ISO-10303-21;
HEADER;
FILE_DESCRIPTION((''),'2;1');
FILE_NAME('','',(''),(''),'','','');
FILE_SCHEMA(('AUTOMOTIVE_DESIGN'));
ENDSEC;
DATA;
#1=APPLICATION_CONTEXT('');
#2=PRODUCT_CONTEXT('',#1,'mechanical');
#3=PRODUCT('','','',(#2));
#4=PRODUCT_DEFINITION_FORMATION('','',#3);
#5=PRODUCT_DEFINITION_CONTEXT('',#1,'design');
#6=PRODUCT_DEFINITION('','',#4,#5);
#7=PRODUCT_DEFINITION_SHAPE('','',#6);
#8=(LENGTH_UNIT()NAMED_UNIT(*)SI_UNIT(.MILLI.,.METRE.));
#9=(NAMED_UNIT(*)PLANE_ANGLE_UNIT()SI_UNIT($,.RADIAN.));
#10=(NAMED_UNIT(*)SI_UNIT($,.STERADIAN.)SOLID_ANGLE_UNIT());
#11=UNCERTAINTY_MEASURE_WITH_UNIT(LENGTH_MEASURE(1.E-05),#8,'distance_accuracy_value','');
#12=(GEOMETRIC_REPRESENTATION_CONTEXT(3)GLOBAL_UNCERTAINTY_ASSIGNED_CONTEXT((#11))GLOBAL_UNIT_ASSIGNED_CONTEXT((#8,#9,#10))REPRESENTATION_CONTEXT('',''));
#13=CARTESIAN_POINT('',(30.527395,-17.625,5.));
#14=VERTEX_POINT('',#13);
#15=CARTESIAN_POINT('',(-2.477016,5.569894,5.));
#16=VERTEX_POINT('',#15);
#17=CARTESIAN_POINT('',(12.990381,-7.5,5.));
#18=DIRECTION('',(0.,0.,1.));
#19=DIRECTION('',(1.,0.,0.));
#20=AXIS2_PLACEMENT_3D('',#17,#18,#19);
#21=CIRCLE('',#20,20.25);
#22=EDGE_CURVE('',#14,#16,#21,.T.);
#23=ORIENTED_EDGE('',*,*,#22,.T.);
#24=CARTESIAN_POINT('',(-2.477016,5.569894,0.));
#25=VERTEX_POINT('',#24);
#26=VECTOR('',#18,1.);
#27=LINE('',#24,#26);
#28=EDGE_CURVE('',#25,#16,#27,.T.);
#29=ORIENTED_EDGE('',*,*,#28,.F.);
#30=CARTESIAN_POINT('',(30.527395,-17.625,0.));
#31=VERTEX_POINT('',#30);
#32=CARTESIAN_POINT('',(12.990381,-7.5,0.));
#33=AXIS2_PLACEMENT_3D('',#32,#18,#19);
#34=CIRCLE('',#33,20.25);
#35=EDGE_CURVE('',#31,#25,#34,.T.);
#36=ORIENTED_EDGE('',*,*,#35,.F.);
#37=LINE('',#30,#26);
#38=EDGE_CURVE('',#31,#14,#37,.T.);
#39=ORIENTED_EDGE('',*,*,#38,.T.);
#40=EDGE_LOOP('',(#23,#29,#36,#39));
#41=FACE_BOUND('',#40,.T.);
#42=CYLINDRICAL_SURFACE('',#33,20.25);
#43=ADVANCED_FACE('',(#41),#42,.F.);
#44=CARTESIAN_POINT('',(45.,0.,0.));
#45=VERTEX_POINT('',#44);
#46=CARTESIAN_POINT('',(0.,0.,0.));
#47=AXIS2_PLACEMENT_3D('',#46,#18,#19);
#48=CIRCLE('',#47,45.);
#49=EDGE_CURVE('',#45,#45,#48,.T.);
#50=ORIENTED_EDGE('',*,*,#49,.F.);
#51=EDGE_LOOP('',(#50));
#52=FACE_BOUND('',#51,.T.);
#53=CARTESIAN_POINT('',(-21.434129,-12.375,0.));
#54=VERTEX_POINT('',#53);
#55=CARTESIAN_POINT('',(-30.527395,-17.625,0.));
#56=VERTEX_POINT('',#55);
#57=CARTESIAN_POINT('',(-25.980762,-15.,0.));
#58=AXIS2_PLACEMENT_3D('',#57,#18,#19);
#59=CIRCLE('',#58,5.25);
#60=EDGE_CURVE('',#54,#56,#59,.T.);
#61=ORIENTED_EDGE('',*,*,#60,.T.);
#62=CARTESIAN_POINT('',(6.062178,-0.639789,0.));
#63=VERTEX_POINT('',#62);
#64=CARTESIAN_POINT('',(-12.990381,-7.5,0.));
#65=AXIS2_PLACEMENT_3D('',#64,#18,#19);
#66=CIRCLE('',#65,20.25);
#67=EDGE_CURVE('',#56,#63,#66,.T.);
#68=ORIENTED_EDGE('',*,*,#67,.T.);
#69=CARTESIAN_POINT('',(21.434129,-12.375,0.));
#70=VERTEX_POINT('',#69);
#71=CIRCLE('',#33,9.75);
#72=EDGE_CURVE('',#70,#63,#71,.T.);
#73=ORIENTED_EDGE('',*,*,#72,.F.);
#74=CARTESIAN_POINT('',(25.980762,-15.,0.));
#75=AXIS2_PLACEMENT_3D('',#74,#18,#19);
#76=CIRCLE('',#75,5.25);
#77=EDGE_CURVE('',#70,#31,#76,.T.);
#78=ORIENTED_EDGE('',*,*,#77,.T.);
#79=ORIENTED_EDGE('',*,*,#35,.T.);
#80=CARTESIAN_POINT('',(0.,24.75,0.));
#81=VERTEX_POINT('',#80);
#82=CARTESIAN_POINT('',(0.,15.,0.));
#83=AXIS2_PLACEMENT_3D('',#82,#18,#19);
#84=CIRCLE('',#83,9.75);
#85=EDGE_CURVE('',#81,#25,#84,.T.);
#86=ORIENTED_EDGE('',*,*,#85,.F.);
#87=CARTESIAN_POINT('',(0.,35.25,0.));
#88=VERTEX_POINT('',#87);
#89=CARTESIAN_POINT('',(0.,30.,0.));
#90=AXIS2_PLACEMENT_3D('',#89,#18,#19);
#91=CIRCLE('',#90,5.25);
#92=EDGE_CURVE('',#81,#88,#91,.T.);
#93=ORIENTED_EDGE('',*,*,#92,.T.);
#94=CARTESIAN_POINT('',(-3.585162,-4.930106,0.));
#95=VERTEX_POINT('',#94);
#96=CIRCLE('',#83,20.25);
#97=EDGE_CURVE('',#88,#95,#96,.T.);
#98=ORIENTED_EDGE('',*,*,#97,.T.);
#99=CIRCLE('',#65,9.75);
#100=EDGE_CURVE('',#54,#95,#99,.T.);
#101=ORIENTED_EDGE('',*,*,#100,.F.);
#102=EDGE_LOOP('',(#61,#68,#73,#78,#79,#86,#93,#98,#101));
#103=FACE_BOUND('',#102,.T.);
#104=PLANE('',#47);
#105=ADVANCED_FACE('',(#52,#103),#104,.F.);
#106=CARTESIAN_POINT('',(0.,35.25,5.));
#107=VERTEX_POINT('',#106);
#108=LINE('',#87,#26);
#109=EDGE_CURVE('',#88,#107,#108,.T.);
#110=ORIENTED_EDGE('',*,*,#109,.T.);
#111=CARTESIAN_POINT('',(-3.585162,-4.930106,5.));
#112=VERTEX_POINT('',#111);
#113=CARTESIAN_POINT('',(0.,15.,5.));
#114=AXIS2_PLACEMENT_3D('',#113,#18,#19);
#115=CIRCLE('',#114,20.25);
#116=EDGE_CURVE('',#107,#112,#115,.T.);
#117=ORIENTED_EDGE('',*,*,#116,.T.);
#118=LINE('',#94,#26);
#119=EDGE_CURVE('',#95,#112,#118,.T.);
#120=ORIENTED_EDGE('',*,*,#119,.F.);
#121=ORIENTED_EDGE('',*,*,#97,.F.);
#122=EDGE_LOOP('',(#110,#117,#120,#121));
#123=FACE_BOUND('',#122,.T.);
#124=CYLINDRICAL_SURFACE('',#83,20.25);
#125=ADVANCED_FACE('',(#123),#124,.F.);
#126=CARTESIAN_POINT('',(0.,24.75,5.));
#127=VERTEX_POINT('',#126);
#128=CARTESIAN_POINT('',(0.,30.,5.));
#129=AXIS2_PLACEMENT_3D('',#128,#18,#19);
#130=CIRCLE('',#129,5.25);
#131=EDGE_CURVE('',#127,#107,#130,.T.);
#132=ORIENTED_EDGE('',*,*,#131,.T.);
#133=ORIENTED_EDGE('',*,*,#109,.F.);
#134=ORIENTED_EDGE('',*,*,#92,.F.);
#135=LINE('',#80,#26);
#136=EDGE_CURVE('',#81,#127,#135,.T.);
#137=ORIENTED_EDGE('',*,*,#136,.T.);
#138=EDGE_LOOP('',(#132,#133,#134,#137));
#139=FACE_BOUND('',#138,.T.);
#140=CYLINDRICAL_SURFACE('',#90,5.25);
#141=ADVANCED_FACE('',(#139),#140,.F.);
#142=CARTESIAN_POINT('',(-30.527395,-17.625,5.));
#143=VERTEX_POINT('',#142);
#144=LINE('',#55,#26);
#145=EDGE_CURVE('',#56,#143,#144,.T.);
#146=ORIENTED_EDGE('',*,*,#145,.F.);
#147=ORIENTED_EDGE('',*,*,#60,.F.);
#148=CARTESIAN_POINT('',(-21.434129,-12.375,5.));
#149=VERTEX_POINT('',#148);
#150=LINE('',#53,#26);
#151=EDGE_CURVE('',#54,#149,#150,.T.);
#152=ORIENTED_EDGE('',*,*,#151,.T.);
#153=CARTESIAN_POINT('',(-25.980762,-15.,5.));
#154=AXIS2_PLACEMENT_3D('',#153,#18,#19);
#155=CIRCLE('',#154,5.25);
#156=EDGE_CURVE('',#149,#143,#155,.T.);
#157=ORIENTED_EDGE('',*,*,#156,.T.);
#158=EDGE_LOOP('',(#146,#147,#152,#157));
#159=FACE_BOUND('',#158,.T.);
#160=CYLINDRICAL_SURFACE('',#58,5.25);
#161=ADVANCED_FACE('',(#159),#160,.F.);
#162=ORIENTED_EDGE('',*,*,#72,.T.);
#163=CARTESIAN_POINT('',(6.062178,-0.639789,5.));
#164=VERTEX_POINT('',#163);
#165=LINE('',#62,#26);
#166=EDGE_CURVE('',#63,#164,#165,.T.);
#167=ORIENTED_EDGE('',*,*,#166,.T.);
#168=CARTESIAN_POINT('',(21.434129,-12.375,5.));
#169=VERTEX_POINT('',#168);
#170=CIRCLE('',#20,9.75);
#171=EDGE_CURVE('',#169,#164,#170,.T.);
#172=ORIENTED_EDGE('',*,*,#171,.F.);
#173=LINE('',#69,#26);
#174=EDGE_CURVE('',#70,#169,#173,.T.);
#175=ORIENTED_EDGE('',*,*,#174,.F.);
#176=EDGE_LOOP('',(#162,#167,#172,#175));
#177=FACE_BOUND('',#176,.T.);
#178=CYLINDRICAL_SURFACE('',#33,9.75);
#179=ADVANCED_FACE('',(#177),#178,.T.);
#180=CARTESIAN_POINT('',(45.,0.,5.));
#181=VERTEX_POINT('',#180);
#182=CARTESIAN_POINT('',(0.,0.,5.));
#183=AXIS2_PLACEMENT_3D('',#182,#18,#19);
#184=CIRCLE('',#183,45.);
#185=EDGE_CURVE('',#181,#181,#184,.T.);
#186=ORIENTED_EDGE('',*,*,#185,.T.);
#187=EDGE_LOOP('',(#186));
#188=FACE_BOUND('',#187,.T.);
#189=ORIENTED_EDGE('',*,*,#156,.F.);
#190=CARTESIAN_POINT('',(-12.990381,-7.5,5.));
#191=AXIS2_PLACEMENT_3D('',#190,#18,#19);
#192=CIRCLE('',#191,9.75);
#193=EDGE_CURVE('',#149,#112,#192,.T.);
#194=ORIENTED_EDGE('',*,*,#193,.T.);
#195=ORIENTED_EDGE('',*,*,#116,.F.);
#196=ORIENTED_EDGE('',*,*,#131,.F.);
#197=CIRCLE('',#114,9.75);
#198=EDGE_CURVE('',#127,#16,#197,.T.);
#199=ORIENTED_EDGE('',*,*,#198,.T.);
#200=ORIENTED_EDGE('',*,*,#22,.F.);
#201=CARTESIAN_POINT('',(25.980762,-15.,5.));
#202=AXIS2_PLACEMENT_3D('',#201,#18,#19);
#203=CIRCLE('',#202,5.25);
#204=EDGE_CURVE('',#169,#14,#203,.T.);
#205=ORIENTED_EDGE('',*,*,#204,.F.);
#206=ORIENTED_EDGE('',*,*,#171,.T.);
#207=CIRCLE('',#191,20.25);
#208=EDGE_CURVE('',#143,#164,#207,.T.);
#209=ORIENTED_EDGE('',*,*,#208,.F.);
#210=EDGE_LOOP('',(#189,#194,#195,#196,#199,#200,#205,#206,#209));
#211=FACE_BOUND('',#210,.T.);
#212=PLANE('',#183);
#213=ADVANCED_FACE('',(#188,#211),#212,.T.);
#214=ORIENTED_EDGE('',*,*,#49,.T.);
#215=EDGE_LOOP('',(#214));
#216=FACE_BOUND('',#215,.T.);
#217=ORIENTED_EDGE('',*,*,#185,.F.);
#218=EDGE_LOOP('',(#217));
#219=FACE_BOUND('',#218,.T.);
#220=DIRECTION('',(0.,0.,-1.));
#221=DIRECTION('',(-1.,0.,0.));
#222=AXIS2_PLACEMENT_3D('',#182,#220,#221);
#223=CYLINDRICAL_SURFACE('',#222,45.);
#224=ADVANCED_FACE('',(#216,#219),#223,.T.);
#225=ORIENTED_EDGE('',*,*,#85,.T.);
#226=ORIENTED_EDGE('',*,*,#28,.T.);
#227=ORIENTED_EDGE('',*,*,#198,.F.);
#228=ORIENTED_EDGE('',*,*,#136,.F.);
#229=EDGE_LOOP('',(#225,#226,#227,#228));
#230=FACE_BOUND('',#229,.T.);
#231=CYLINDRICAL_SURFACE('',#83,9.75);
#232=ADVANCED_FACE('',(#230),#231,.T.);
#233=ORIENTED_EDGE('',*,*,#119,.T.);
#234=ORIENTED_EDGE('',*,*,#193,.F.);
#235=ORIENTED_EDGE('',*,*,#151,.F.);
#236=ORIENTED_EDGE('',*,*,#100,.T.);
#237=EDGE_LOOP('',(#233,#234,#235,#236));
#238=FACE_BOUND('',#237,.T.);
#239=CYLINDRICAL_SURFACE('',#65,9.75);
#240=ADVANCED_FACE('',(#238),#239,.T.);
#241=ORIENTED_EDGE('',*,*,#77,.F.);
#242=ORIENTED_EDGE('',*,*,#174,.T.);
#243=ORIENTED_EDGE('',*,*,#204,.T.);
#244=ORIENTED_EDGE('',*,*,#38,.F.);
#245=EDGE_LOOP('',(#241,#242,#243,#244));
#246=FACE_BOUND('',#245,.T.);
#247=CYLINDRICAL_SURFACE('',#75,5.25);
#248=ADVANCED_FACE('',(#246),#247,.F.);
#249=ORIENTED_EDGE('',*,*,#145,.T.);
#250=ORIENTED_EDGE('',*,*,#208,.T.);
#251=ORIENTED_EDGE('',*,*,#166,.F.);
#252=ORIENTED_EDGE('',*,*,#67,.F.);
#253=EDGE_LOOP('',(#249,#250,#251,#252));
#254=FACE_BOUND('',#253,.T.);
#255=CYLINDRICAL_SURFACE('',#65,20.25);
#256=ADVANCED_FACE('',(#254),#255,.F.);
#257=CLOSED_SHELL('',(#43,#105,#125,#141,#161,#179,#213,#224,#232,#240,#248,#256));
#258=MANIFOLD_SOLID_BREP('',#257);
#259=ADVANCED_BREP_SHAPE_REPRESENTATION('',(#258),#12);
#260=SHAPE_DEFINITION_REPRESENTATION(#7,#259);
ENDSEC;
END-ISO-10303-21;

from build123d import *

# Parameters (mm, degrees)
CROQUIS1_R            = 45
DISCO_DEPTH           = 5
CORTAR_EXTRUIR6_DEPTH = 5


with BuildPart() as part:
    # Croquis1 → Disco (new body)
    with BuildSketch(Plane.XY):
        Circle(CROQUIS1_R)
    extrude(amount=DISCO_DEPTH)

    # Croquis6 → Cortar-Extruir6 (cut)
    with BuildSketch(Plane.XY.offset(5)):
        with BuildLine():
            ThreePointArc((-30.527395483, -17.625), (-4.464035413, -25.86746934), (6.062177826, -0.639788633))
            ThreePointArc((6.062177826, -0.639788633), (18.906715666, 0.249805468), (21.434128744, -12.375))
            ThreePointArc((21.434128744, -12.375), (23.355762114, -19.54663337), (30.527395483, -17.625))
            ThreePointArc((30.527395483, -17.625), (24.633903286, 9.067766599), (-2.477015704, 5.569894316))
            ThreePointArc((-2.477015704, 5.569894316), (-9.669695714, 16.248793335), (0, 24.75))
            ThreePointArc((0, 24.75), (5.25, 30), (0, 35.25))
            ThreePointArc((0, 35.25), (-20.169867874, 16.799702741), (-3.585162122, -4.930105684))
            ThreePointArc((-3.585162122, -4.930105684), (-9.237019952, -16.498598803), (-21.434128744, -12.375))
            ThreePointArc((-21.434128744, -12.375), (-28.605762114, -10.45336663), (-30.527395483, -17.625))
        make_face()
    extrude(amount=-CORTAR_EXTRUIR6_DEPTH, mode=Mode.SUBTRACT)


solid = part.part
